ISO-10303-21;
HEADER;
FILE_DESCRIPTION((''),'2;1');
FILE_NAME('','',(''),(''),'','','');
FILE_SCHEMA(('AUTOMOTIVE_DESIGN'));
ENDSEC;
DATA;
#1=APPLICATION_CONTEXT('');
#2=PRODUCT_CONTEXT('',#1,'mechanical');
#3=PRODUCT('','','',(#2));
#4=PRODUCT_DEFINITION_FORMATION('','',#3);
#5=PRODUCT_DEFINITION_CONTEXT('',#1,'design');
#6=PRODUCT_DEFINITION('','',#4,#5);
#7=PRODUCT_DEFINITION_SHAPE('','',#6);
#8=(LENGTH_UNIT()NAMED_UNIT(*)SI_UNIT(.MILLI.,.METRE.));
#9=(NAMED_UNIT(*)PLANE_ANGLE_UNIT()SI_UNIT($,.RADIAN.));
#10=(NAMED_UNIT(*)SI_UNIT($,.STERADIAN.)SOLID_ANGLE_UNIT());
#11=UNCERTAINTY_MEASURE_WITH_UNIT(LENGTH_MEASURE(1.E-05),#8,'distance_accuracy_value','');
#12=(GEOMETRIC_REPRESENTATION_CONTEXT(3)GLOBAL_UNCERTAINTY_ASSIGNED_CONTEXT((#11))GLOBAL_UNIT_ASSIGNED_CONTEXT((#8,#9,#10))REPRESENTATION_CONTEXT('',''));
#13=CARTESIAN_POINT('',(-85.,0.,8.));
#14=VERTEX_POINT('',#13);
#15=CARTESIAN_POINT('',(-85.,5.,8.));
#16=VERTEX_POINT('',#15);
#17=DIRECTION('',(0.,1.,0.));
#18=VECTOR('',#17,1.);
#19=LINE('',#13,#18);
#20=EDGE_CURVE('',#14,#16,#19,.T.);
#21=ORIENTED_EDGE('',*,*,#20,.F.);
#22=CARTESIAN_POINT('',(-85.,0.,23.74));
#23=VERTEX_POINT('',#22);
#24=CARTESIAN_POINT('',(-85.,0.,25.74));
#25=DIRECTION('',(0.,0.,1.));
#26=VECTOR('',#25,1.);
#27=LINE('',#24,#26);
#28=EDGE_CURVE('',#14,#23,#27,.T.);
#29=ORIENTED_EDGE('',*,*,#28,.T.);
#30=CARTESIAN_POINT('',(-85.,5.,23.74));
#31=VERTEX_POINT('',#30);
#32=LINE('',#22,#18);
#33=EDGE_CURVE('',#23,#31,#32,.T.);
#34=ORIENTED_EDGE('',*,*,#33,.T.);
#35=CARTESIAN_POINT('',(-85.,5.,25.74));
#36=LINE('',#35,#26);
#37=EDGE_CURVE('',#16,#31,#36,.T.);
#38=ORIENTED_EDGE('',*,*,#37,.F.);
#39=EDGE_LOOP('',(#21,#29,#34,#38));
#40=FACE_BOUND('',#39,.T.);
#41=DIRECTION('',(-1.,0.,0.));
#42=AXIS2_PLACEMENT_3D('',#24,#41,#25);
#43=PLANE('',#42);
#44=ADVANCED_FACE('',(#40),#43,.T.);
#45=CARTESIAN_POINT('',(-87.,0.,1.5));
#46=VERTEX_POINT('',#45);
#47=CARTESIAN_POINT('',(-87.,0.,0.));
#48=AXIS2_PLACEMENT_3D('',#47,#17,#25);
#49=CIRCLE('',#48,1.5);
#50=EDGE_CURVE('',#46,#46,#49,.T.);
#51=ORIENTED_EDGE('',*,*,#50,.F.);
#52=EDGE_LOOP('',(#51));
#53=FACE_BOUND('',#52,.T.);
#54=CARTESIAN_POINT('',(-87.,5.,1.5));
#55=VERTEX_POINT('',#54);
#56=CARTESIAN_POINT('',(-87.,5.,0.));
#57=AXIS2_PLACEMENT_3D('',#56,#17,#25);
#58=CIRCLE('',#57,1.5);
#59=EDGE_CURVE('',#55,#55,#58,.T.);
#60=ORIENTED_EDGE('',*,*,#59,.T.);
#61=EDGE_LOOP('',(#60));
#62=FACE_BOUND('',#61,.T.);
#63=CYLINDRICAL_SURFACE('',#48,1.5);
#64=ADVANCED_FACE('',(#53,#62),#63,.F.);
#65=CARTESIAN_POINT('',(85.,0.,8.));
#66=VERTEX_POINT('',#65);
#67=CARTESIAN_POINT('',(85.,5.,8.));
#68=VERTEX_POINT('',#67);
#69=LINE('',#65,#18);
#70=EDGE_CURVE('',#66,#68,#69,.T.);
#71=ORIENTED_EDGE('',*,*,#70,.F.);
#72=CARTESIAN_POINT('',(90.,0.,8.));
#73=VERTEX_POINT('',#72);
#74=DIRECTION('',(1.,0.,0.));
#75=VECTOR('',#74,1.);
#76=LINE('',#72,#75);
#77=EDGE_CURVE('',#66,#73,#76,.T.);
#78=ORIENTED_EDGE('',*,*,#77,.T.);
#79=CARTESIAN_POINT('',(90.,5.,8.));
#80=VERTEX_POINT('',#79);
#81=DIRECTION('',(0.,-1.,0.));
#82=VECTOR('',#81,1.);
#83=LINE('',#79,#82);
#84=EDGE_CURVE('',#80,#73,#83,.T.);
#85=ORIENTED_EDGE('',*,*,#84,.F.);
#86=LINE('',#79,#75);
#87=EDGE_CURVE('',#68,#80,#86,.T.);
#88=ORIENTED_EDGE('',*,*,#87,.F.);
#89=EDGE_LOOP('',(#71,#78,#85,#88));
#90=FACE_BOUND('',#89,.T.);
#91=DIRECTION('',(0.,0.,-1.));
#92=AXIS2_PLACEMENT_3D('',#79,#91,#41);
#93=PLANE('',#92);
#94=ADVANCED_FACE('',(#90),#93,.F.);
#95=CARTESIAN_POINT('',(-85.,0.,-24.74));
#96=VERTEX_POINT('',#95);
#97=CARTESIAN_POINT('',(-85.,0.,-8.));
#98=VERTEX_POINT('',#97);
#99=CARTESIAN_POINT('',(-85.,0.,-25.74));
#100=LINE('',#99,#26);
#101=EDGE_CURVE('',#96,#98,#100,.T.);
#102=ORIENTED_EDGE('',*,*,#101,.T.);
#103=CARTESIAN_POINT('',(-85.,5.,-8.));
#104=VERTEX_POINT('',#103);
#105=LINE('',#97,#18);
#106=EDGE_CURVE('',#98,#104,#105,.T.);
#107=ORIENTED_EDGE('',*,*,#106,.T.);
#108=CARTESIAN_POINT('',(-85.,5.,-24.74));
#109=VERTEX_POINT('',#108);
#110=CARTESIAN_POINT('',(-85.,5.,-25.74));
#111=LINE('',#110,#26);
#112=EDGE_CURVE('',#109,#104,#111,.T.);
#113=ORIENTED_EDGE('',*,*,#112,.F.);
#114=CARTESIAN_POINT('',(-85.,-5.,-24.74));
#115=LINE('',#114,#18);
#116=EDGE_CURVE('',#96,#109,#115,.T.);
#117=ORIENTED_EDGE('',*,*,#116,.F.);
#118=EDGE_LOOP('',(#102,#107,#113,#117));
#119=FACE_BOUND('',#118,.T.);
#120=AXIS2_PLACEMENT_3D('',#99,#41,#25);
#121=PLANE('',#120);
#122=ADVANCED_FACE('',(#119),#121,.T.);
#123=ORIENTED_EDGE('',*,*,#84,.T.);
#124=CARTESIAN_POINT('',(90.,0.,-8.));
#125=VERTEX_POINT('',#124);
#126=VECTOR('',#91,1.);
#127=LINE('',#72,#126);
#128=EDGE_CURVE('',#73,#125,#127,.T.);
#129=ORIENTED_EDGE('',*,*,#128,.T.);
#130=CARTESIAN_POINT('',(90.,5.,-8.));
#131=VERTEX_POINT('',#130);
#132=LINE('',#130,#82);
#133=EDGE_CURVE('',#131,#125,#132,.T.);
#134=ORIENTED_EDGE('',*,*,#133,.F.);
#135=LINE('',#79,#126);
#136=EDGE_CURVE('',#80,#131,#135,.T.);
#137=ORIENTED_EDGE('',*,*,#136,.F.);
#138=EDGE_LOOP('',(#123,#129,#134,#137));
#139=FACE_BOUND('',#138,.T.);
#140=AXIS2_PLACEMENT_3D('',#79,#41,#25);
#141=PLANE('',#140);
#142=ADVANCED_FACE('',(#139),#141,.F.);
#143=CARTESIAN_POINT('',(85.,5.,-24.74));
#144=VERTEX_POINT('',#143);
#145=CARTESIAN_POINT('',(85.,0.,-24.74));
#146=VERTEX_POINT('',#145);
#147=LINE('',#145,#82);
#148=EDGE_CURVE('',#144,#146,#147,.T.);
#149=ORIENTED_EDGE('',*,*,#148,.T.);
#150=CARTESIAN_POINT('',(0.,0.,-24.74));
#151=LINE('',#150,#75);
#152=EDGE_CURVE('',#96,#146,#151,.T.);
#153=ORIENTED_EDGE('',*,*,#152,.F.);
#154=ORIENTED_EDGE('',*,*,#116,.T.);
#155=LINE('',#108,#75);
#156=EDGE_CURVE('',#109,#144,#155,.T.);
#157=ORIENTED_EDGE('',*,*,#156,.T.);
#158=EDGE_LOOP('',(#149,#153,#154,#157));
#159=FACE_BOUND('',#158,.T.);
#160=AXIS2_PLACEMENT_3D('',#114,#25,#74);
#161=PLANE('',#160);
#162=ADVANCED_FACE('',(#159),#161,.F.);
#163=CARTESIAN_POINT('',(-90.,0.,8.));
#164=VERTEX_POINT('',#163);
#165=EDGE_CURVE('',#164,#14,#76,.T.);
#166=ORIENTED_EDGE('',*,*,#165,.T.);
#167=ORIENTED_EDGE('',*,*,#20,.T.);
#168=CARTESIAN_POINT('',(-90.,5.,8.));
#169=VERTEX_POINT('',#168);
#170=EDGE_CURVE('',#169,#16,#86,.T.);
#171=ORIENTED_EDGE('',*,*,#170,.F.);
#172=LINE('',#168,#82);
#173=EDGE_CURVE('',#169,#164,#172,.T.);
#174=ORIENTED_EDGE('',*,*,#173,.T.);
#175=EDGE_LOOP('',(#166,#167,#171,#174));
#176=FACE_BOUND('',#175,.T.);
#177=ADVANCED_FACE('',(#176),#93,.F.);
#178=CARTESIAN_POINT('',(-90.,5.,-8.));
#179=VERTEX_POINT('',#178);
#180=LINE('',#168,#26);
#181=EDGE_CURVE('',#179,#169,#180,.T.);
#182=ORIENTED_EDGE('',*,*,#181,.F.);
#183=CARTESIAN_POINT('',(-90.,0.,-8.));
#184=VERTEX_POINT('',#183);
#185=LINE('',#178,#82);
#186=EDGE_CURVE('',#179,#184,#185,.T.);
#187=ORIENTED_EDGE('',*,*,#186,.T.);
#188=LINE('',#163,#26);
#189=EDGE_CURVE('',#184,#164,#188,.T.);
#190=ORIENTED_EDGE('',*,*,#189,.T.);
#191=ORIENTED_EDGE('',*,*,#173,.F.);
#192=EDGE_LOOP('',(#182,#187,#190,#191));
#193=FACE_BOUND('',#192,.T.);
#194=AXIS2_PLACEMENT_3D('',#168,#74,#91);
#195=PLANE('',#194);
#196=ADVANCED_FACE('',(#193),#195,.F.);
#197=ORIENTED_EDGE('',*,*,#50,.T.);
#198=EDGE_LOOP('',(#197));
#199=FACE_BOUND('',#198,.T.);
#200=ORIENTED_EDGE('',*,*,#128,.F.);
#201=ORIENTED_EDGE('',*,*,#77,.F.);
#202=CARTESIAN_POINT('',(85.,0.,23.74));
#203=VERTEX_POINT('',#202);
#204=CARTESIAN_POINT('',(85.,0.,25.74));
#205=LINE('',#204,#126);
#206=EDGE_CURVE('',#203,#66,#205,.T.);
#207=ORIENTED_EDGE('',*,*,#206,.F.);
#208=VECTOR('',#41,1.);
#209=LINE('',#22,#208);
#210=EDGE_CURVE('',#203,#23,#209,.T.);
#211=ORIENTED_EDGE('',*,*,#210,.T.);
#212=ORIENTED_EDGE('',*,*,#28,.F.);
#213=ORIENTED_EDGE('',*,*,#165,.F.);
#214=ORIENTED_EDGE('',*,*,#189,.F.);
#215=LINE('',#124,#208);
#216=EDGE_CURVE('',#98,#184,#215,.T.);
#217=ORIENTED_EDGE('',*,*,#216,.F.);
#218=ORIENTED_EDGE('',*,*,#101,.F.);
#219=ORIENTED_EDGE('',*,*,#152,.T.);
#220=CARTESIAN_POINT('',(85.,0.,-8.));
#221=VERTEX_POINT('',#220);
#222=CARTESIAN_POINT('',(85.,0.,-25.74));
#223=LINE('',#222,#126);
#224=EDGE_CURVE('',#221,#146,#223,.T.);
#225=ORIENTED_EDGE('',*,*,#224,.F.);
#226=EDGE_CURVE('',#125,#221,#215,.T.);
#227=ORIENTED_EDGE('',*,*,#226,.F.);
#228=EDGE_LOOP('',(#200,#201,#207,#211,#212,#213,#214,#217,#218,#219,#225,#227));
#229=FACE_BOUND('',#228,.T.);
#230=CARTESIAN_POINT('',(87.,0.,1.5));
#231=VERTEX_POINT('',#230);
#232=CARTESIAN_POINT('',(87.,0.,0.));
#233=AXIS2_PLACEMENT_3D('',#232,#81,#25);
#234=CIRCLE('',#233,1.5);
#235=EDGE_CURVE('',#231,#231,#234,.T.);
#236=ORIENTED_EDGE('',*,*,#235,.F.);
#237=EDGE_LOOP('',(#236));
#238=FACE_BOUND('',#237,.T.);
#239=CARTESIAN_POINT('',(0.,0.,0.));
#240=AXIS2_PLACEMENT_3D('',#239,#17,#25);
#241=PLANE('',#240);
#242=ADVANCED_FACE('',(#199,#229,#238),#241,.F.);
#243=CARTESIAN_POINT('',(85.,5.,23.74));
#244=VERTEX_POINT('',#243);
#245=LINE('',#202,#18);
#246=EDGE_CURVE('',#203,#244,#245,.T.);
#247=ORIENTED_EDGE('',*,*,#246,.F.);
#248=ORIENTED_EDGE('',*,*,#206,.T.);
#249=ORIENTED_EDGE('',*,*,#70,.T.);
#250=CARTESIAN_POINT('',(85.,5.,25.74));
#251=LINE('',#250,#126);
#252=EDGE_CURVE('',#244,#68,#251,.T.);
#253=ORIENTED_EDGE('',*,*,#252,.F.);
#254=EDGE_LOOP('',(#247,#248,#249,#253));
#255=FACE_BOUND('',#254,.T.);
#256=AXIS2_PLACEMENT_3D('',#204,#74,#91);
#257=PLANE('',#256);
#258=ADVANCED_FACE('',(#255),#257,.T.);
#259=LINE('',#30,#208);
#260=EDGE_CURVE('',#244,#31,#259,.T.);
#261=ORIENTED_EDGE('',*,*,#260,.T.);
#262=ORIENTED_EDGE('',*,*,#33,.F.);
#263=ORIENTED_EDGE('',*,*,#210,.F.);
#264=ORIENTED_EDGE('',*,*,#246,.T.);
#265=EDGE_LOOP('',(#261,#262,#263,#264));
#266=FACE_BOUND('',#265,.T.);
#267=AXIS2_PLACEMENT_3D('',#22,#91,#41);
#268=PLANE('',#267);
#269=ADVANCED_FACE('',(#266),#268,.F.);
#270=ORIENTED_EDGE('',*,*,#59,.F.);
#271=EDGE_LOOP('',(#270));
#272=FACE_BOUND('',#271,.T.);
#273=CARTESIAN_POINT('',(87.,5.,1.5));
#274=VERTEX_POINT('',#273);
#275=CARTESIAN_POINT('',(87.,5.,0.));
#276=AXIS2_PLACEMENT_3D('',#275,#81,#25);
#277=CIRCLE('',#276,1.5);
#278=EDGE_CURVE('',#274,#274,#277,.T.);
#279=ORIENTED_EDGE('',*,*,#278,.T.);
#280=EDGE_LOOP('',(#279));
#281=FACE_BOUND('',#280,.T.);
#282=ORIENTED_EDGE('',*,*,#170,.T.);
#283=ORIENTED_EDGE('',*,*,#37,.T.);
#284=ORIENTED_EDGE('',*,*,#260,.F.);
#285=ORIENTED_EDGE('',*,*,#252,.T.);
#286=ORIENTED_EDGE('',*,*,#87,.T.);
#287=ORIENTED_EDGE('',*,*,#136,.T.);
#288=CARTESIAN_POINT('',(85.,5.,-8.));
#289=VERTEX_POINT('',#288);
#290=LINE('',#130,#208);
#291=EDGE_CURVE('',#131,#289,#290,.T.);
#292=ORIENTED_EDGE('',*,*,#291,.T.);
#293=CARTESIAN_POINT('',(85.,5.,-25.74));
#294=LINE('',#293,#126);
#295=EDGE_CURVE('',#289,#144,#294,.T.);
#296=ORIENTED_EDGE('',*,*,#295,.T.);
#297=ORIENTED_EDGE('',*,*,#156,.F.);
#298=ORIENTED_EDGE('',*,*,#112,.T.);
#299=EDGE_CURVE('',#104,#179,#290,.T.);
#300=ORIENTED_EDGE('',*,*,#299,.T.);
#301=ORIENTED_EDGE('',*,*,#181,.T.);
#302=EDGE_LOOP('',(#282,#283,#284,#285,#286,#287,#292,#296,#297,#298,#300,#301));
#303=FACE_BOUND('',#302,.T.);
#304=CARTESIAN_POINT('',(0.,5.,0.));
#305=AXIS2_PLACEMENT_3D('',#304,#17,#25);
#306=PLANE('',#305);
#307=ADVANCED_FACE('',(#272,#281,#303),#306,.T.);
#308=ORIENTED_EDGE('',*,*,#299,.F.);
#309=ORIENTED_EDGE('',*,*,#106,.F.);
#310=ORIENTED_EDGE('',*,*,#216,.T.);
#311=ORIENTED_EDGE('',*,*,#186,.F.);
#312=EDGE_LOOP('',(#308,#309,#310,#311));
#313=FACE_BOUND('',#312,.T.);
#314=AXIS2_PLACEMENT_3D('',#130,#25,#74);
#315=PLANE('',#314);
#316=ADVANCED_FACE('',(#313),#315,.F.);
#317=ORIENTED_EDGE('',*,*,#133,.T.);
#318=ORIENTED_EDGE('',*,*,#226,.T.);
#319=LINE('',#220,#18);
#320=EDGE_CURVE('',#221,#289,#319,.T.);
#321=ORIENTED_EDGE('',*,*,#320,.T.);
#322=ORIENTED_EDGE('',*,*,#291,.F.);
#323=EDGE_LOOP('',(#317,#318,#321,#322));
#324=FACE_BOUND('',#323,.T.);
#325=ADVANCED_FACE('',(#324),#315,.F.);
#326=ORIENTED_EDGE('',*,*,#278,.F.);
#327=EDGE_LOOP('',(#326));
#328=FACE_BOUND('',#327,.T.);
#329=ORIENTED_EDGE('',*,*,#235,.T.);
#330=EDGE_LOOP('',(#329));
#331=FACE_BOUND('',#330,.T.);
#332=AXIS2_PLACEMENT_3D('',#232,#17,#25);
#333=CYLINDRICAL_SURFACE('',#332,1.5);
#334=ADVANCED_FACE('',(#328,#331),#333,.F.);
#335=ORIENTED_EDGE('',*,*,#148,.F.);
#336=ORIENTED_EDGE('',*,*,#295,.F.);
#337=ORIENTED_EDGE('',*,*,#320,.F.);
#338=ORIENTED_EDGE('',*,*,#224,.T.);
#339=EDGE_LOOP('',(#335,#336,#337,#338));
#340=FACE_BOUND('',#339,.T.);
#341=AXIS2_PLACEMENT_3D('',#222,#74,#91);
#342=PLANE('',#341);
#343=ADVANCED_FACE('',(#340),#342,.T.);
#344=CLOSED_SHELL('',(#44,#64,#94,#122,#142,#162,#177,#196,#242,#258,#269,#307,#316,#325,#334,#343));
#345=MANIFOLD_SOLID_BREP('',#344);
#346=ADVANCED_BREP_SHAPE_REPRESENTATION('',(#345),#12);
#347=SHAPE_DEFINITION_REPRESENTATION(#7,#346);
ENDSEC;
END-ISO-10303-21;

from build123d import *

# Parameters (mm, degrees)
CROQUIS1_W              = 180
CROQUIS1_H              = 16
SALIENTE_EXTRUIR1_DEPTH = 5
CROQUIS2_W              = 170
CROQUIS2_H              = 17.74
SALIENTE_EXTRUIR2_DEPTH = 5
CROQUIS3_R              = 1.5
CORTAR_EXTRUIR1_DEPTH   = 5
CROQUIS4_W              = 170
CROQUIS4_H              = 2
CORTAR_EXTRUIR2_DEPTH   = 94.741920185
CROQUIS5_W              = 170
CROQUIS5_H              = 1
CORTAR_EXTRUIR3_DEPTH   = 10


with BuildPart() as part:
    # Croquis1 → Saliente-Extruir1 (new body)
    with BuildSketch(Plane(origin=(0, 0, 0), x_dir=(1, 0, 0), z_dir=(0, 1, 0))):
        Rectangle(CROQUIS1_W, CROQUIS1_H)
    extrude(amount=SALIENTE_EXTRUIR1_DEPTH)

    # Croquis2 → Saliente-Extruir2 (add)
    with BuildSketch(Plane(origin=(0, 5, 0), x_dir=(1, 0, 0), z_dir=(0, 1, 0))):
        with Locations((0, 16.87)):
            Rectangle(CROQUIS2_W, CROQUIS2_H)
        with Locations((0, -16.87)):
            Rectangle(CROQUIS2_W, CROQUIS2_H)
    extrude(amount=-SALIENTE_EXTRUIR2_DEPTH)

    # Croquis3 → Cortar-Extruir1 (cut)
    with BuildSketch(Plane(origin=(0, 5, 0), x_dir=(1, 0, 0), z_dir=(0, 1, 0))):
        with Locations(Location((-87, 0, 0), (0, 0, 270))):
            Circle(CROQUIS3_R)
    cortar_extruir1 = extrude(amount=-CORTAR_EXTRUIR1_DEPTH, mode=Mode.SUBTRACT)

    # Simetría1: Cortar-Extruir1 across plane
    add(cortar_extruir1.mirror(Plane(origin=(0, 0, 0), x_dir=(0, 0, 1), z_dir=(1, 0, 0))), mode=Mode.SUBTRACT)

    # Croquis4 → Cortar-Extruir2 (cut, through all)
    with BuildSketch(Plane(origin=(0, 5, 0), x_dir=(1, 0, 0), z_dir=(0, 1, 0))):
        with Locations((0, -24.74)):
            Rectangle(CROQUIS4_W, CROQUIS4_H)
    extrude(amount=-CORTAR_EXTRUIR2_DEPTH, mode=Mode.SUBTRACT)

    # Croquis5 → Cortar-Extruir3 (cut)
    with BuildSketch(Plane(origin=(0, 5, 0), x_dir=(1, 0, 0), z_dir=(0, 1, 0))):
        with Locations((0, 25.24)):
            Rectangle(CROQUIS5_W, CROQUIS5_H)
    extrude(amount=-CORTAR_EXTRUIR3_DEPTH, mode=Mode.SUBTRACT)


solid = part.part
